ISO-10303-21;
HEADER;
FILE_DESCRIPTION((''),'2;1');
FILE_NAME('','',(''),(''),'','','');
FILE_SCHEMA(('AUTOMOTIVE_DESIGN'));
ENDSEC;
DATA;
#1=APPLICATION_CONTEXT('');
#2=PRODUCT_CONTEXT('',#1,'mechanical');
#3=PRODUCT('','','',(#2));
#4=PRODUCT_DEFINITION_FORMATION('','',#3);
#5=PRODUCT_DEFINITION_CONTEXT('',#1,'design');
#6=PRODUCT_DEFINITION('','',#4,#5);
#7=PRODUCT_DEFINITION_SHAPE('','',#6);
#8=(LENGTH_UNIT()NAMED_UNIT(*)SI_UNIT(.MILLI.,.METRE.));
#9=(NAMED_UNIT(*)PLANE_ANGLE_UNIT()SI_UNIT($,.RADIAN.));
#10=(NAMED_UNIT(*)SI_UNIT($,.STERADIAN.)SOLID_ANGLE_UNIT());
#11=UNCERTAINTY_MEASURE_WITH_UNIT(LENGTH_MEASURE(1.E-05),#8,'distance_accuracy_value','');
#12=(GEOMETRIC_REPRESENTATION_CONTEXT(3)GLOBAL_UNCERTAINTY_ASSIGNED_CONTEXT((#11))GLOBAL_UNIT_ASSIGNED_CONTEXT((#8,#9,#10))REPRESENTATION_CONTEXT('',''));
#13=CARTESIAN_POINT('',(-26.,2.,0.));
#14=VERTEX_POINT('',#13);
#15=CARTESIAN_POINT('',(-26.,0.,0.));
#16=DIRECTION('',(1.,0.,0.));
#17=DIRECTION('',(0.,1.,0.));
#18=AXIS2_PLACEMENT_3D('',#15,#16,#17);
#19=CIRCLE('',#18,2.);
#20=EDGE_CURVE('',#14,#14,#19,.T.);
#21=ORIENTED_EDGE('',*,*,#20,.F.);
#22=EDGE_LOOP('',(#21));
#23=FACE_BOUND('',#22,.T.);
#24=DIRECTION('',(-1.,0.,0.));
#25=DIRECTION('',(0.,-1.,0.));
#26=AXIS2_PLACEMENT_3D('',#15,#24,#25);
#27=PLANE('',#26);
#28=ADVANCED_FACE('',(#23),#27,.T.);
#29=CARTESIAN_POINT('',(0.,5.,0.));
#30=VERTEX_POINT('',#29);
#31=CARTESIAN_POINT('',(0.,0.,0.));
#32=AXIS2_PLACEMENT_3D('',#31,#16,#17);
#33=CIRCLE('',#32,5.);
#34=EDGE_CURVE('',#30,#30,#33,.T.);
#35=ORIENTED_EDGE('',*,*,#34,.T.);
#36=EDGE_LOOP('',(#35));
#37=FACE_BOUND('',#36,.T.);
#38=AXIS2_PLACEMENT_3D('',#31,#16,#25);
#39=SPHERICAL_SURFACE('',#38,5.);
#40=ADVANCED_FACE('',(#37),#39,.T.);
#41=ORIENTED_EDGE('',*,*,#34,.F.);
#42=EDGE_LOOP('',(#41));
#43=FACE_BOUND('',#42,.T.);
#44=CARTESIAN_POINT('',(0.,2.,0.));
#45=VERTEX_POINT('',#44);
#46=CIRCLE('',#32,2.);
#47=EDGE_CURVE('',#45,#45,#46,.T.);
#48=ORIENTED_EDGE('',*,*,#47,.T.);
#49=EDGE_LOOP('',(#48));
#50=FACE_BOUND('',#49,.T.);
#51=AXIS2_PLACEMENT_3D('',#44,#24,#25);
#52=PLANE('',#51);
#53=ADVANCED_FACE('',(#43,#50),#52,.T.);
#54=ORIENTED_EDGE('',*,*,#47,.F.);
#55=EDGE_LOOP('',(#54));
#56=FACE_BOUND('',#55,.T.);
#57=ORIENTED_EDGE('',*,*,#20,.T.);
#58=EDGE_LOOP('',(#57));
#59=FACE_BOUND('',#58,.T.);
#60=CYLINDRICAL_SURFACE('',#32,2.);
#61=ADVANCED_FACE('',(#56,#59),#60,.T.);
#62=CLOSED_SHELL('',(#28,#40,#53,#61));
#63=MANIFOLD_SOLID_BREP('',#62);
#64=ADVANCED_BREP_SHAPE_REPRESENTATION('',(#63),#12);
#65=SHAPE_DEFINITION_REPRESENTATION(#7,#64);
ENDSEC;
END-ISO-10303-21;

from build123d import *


with BuildPart() as part:
    # 草圖1 → 旋轉1 (revolve)
    with BuildSketch(Plane.XY):
        with BuildLine():
            Line((0, 0), (-26, 0))
            Line((-26, 0), (-26, 2))
            Line((-26, 2), (0, 2))
            Line((0, 2), (0, 5))
            ThreePointArc((0, 5), (3.535533906, 3.535533906), (5, 0))
            Line((5, 0), (0, 0))
        make_face()
    revolve(axis=Axis((0, 0, 0), (-1, 0, 0)))


solid = part.part
